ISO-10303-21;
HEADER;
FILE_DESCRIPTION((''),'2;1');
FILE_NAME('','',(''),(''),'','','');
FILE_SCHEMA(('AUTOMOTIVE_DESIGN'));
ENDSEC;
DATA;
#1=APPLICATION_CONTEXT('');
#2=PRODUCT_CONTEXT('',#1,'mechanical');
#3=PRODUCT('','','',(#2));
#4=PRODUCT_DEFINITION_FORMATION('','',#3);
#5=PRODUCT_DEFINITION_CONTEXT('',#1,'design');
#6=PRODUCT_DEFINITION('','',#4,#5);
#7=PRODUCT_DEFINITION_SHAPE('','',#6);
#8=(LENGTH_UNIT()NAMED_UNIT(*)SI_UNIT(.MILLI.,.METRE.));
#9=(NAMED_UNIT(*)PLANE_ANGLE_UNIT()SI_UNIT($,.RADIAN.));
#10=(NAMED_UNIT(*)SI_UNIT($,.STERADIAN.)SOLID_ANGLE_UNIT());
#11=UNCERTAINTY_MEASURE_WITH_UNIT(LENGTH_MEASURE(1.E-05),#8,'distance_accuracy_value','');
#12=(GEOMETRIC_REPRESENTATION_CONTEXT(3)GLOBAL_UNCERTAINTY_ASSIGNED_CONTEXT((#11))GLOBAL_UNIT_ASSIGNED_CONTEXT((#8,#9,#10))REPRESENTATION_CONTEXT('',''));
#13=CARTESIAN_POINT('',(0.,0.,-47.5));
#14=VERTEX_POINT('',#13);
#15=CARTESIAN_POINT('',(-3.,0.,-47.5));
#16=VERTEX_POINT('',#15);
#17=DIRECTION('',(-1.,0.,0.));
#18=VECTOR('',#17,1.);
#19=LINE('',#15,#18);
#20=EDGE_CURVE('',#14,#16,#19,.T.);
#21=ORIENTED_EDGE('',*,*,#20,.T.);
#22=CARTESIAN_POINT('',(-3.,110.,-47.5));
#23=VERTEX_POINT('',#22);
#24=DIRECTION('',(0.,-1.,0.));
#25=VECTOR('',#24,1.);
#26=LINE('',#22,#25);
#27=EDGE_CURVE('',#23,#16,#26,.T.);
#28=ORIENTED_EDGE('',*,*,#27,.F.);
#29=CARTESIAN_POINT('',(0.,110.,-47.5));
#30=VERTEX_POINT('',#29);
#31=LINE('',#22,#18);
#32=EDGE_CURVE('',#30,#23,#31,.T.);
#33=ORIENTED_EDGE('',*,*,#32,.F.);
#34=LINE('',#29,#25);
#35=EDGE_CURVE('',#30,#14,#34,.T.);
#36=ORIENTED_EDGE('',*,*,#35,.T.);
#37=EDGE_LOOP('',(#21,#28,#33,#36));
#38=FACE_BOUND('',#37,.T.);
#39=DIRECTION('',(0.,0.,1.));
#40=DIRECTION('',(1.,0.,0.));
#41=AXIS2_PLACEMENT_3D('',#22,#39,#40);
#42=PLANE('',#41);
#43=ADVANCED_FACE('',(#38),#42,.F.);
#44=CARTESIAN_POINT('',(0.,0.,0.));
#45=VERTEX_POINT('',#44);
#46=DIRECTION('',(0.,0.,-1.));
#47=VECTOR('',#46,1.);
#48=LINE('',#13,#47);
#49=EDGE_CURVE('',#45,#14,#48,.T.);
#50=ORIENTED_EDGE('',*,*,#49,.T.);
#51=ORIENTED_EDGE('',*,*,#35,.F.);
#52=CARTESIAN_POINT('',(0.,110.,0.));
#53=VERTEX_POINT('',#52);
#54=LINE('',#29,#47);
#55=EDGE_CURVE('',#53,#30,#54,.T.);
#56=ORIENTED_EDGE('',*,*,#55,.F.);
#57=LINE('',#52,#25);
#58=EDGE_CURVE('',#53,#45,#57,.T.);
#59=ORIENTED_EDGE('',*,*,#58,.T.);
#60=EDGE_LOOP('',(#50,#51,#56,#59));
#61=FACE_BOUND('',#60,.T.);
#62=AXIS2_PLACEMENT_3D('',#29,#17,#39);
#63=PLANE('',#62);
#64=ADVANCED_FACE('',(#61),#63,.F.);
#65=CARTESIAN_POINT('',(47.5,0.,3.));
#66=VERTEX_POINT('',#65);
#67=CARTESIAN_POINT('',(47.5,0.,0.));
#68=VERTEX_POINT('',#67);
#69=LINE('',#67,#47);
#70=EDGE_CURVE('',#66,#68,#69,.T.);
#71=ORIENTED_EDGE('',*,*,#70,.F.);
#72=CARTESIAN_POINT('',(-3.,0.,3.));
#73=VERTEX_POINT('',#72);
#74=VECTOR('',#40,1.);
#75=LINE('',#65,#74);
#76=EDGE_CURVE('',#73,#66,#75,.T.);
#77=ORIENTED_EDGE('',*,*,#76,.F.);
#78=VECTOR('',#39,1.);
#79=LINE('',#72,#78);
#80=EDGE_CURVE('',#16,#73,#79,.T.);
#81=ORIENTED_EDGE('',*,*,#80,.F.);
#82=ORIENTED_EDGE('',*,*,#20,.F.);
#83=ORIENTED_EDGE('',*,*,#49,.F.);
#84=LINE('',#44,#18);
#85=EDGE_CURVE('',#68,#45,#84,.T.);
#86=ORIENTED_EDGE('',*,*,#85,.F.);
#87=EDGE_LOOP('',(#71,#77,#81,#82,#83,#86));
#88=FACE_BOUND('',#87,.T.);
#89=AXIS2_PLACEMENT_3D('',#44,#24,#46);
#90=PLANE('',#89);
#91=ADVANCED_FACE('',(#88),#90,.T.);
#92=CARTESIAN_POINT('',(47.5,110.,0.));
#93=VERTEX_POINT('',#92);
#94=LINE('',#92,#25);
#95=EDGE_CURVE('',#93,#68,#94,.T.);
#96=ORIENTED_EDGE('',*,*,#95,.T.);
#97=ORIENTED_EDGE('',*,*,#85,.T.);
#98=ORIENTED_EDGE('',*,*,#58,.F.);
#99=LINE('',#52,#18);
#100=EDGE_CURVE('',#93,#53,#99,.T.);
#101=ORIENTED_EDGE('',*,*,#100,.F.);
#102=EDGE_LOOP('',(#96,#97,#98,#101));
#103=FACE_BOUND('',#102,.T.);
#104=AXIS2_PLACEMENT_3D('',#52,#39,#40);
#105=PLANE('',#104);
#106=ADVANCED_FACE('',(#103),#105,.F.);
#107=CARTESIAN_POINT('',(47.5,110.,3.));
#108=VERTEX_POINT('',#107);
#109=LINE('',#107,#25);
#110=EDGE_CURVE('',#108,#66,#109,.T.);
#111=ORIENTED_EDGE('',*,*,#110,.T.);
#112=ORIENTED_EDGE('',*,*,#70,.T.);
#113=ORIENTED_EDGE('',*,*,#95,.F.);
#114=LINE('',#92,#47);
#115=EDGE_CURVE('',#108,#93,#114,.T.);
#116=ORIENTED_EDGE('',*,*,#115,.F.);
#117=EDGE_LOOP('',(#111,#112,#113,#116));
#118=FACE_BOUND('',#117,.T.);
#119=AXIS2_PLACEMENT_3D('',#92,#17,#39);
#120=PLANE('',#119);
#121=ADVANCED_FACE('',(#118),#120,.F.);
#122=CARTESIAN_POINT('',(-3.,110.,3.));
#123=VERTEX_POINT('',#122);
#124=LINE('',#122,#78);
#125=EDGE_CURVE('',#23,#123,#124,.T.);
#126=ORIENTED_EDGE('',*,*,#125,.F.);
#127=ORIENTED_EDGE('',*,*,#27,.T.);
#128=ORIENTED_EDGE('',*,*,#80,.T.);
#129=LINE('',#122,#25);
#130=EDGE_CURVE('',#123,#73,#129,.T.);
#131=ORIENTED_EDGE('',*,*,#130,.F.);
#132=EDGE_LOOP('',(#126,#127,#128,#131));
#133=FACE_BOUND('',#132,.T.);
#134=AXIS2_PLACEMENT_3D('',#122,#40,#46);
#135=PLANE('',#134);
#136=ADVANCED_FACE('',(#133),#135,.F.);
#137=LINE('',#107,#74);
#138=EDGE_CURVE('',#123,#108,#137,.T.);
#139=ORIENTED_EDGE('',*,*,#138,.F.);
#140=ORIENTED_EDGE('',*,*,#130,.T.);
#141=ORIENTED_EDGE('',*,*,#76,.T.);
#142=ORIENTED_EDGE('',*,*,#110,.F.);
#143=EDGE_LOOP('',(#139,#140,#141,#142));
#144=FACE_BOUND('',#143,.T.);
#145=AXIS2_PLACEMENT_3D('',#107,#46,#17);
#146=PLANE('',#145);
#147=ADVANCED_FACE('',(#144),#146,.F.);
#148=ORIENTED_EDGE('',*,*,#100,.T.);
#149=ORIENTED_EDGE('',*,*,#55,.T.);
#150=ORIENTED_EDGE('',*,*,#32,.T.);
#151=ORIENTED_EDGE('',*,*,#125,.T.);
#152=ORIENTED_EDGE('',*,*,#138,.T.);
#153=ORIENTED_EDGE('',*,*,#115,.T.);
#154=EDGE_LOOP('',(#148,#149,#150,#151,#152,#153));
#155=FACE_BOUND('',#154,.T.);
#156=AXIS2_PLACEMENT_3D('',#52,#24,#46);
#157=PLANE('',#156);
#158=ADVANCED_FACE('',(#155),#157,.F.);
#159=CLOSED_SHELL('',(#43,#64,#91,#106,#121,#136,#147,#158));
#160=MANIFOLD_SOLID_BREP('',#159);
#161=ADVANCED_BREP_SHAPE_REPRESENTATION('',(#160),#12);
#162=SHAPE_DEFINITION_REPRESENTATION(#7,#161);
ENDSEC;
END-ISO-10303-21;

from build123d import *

# Parameters (mm, degrees)
BOSS_EXTRUDE1_DEPTH = 110


with BuildPart() as part:
    # Sketch1 → Boss-Extrude1 (new body)
    with BuildSketch(Plane(origin=(0, 0, 0), x_dir=(1, 0, 0), z_dir=(0, 1, 0))):
        Polygon((0, 47.5), (0, 0), (47.5, 0), (47.5, -3), (-3, -3), (-3, 47.5), align=None)
    extrude(amount=BOSS_EXTRUDE1_DEPTH)


solid = part.part
